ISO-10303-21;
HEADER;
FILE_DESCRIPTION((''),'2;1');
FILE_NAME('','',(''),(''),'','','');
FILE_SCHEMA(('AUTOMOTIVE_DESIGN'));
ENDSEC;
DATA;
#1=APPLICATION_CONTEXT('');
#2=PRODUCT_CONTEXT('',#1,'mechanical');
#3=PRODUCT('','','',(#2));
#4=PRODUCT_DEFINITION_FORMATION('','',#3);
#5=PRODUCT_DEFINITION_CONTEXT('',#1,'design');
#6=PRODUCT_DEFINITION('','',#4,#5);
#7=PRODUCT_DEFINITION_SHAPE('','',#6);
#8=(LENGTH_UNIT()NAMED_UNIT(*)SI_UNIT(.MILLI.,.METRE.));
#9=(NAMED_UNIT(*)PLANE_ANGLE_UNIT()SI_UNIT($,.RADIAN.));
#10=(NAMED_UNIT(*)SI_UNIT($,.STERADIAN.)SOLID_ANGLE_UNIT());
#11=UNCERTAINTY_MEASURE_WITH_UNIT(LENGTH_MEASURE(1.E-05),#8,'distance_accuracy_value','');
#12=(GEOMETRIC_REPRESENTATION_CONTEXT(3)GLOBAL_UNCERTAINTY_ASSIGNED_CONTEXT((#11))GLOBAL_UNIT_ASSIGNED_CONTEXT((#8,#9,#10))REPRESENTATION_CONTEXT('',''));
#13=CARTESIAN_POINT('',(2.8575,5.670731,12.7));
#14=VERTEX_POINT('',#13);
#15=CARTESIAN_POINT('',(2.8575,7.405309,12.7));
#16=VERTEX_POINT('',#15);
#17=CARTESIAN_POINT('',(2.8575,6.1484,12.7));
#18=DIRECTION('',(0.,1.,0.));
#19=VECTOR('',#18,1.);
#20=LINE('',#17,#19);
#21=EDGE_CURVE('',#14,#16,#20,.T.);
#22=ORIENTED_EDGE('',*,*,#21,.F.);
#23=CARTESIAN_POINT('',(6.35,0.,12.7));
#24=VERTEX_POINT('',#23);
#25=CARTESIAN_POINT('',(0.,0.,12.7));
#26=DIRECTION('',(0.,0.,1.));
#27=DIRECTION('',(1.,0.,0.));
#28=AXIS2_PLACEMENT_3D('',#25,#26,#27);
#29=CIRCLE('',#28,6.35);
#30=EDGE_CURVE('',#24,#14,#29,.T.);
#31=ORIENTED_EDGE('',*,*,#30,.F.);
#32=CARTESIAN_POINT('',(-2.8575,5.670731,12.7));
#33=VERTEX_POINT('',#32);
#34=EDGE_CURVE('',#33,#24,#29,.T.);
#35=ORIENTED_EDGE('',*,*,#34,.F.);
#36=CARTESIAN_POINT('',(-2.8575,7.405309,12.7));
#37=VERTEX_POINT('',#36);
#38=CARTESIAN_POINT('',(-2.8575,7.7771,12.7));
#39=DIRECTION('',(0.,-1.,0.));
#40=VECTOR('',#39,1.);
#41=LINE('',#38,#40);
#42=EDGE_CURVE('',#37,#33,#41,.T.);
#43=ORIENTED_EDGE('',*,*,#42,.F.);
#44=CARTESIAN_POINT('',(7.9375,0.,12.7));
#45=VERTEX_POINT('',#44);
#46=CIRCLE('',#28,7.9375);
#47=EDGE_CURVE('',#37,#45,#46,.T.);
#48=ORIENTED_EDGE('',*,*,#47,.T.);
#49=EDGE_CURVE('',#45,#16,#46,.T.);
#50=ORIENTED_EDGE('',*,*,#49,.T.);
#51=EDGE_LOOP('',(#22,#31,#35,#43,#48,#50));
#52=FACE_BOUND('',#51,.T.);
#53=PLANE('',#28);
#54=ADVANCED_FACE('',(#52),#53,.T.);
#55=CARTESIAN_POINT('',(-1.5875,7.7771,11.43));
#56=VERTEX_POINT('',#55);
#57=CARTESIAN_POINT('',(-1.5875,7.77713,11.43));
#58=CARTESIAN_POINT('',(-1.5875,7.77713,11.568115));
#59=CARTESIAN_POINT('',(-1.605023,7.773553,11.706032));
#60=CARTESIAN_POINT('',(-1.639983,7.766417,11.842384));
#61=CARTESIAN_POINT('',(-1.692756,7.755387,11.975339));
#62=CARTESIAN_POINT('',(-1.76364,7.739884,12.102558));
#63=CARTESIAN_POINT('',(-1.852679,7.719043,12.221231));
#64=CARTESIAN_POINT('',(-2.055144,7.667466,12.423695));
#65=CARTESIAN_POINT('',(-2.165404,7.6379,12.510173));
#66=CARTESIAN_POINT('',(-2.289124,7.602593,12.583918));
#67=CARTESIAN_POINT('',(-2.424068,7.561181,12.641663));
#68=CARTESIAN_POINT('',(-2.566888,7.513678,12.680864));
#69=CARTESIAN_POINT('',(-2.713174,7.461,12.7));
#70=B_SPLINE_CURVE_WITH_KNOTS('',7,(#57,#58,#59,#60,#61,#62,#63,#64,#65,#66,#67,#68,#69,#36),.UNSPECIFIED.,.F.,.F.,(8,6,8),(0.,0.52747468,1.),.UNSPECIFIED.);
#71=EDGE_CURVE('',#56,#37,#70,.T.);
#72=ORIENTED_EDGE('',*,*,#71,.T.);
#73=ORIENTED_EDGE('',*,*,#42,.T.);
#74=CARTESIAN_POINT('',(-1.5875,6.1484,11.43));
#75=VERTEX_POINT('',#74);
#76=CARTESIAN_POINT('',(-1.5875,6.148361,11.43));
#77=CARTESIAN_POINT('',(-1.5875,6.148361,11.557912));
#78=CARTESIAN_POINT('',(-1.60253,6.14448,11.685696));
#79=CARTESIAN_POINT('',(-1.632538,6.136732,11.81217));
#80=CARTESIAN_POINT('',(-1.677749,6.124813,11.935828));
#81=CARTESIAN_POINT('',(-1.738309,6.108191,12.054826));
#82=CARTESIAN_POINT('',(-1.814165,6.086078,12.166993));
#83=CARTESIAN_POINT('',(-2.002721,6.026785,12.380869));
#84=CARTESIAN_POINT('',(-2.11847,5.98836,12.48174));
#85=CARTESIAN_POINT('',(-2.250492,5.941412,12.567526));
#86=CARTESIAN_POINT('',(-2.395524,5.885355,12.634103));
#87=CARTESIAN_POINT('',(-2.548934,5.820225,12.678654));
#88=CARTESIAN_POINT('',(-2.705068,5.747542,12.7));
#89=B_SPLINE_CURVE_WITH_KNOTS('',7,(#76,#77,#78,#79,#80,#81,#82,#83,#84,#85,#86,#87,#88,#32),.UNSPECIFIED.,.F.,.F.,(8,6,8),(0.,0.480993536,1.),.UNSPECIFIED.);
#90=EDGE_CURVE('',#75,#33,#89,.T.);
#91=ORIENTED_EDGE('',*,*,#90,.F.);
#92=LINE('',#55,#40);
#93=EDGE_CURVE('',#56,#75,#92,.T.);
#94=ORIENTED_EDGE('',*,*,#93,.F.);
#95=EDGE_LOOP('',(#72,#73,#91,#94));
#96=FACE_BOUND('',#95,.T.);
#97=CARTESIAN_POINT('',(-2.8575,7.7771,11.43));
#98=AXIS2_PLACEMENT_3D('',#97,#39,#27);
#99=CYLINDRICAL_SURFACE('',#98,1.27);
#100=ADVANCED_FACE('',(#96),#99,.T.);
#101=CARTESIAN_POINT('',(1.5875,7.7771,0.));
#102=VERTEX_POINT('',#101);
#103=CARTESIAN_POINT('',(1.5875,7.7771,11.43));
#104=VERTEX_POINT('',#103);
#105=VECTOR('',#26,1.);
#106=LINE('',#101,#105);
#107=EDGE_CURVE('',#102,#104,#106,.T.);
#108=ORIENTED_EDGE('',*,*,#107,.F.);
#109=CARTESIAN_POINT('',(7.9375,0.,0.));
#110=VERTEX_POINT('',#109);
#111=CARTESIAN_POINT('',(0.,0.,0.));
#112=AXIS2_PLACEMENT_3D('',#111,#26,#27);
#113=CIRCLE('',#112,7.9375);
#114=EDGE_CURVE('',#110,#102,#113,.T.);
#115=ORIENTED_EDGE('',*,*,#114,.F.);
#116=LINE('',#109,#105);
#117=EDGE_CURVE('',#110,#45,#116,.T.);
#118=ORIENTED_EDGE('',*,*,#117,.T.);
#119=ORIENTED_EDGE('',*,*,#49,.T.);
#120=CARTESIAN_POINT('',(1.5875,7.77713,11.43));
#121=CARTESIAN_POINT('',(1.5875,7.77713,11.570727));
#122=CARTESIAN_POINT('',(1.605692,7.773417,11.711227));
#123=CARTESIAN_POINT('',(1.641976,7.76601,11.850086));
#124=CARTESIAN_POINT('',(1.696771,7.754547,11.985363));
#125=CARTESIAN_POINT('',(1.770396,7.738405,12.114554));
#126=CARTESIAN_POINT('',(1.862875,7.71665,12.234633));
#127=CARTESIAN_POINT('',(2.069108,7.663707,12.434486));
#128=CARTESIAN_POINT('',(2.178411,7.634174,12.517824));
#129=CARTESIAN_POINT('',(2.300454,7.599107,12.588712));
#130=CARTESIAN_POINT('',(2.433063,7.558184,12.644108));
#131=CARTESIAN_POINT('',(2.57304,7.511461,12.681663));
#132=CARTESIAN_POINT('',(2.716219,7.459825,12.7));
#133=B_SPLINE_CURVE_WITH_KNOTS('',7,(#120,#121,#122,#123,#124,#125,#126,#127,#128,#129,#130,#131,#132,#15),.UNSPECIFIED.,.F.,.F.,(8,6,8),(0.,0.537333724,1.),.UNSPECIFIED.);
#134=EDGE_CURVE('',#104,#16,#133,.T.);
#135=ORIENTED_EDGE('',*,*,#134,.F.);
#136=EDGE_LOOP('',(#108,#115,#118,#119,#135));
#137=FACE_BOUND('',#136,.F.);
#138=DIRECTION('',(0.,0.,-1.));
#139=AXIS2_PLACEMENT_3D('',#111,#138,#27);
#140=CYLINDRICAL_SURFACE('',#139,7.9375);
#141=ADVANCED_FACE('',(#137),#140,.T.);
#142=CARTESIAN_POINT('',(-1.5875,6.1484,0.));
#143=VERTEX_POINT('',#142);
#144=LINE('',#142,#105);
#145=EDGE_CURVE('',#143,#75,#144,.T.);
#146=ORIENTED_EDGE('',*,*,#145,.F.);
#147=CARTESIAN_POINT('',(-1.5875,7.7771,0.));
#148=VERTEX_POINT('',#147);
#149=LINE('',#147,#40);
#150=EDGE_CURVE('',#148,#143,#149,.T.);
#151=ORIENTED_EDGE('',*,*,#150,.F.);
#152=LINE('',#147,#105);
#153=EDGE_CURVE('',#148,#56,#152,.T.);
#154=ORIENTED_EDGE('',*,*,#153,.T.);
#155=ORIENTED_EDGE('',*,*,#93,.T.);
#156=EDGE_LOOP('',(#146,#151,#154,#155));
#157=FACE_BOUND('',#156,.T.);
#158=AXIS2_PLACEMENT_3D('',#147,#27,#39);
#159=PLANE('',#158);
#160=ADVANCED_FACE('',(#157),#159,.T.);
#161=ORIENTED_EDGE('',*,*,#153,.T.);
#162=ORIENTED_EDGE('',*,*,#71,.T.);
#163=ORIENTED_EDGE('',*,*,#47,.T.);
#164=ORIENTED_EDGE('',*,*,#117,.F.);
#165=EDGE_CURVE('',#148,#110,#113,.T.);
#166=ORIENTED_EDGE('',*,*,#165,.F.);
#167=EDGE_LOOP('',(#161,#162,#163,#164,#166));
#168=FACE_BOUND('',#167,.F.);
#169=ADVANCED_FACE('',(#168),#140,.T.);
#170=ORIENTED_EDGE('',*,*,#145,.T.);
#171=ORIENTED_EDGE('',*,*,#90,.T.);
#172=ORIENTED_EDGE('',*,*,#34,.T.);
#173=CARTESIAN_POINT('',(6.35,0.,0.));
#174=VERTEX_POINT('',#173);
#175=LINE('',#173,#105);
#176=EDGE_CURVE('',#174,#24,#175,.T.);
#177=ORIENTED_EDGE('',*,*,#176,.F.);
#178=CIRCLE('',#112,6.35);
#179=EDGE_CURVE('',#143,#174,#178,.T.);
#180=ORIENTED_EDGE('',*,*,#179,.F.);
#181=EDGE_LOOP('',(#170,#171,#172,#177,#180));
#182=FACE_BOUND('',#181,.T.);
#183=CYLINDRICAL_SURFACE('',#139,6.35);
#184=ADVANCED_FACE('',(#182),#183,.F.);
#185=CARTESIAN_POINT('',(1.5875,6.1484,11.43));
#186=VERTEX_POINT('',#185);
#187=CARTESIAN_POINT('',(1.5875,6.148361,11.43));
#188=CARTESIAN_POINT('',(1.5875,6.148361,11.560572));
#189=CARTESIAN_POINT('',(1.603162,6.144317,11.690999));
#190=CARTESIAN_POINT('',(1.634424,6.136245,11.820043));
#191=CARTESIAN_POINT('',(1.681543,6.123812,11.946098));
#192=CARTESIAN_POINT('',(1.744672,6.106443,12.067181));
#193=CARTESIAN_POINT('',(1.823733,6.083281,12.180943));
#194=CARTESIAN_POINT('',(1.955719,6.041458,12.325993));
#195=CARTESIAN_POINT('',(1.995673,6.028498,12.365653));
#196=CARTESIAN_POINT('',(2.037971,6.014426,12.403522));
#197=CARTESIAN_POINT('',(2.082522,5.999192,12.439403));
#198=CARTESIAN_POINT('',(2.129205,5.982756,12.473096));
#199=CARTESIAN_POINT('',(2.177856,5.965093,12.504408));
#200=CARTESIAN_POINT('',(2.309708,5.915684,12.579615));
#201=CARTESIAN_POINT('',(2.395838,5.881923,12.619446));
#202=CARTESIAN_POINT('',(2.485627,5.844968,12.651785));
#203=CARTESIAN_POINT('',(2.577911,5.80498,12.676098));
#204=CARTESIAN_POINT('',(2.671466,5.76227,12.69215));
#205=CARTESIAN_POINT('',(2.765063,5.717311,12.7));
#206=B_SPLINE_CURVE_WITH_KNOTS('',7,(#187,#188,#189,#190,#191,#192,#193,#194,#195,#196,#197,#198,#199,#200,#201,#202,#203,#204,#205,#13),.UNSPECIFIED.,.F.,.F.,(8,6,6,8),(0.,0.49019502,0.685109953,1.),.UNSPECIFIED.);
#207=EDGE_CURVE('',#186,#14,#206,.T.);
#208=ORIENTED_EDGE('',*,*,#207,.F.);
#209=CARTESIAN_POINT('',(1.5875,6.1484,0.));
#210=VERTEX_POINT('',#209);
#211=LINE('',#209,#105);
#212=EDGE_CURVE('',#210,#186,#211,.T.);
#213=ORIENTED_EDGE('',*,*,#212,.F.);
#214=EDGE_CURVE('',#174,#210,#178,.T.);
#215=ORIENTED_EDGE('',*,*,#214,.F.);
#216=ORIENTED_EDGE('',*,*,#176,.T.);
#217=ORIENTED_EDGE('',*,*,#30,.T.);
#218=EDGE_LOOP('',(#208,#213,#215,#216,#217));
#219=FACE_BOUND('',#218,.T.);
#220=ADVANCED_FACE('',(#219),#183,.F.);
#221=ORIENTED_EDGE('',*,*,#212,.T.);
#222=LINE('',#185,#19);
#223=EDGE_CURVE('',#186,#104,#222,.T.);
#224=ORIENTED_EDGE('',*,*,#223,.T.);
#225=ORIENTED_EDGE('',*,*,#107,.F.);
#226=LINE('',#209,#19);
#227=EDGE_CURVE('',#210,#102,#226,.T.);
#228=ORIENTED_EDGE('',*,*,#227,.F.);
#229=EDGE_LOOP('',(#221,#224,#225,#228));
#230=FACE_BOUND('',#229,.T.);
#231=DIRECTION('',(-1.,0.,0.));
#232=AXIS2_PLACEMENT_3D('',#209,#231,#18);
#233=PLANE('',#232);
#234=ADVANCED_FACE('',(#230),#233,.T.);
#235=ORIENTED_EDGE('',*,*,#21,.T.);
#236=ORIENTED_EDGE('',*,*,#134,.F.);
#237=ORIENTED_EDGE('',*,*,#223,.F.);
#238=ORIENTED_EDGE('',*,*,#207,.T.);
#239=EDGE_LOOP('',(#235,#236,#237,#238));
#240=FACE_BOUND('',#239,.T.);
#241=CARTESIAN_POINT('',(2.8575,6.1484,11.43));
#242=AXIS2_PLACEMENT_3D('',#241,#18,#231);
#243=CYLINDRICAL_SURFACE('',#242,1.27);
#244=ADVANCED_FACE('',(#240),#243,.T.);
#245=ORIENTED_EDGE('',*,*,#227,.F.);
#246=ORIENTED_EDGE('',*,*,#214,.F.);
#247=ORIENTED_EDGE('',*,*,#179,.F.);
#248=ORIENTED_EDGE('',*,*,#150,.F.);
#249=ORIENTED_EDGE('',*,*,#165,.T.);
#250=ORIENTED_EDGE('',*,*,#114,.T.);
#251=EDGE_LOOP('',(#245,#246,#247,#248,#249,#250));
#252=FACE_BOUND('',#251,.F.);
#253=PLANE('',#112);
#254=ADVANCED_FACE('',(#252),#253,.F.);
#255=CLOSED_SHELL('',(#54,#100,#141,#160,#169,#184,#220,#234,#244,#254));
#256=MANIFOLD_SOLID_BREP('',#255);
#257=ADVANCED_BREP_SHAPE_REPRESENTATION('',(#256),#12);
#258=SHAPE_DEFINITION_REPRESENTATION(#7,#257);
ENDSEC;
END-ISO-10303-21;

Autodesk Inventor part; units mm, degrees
ref_plane "YZ Plane" through (0, 0, 0) normal (1, 0, 0) x (0, 1, 0)
ref_plane "XZ Plane" through (0, 0, 0) normal (0, 1, 0) x (-1, 0, 0)
ref_plane "XY Plane" through (0, 0, 0) normal (0, 0, 1) x (1, 0, 0)
sketch "Sketch1" plane through (0, 0, 0) normal (0, 0, 1) x (1, 0, 0)
  circle A0 centre (0, 0) radius 6.35
  circle A1 centre (0, 0) radius 7.9375
  line L0 (-1.5875, 7.7771) -> (-1.5875, 6.1484)
  line L1 (1.5875, 6.1484) -> (1.5875, 7.7771)
  line L2 (0, 0) -> (0, 7.9375) construction
  dimension "d0" = 12.7
  dimension "d1" = 15.875
  dimension "d4" = 1.5875
  dimension "d5" = 1.5875
extrude "Extrusion1" add sketch "Sketch1" along normal blind 12.7 contours A0 L1 A1 L0 picked at (7.3341, -0.6223)
fillet "Fillet1" radius 1.27 2 edges at (-1.5875, 6.9627, 12.7) (1.5875, 6.9627, 12.7)
properties part number "Aluminum Spacer Part 1" material "Aluminum 6061"
